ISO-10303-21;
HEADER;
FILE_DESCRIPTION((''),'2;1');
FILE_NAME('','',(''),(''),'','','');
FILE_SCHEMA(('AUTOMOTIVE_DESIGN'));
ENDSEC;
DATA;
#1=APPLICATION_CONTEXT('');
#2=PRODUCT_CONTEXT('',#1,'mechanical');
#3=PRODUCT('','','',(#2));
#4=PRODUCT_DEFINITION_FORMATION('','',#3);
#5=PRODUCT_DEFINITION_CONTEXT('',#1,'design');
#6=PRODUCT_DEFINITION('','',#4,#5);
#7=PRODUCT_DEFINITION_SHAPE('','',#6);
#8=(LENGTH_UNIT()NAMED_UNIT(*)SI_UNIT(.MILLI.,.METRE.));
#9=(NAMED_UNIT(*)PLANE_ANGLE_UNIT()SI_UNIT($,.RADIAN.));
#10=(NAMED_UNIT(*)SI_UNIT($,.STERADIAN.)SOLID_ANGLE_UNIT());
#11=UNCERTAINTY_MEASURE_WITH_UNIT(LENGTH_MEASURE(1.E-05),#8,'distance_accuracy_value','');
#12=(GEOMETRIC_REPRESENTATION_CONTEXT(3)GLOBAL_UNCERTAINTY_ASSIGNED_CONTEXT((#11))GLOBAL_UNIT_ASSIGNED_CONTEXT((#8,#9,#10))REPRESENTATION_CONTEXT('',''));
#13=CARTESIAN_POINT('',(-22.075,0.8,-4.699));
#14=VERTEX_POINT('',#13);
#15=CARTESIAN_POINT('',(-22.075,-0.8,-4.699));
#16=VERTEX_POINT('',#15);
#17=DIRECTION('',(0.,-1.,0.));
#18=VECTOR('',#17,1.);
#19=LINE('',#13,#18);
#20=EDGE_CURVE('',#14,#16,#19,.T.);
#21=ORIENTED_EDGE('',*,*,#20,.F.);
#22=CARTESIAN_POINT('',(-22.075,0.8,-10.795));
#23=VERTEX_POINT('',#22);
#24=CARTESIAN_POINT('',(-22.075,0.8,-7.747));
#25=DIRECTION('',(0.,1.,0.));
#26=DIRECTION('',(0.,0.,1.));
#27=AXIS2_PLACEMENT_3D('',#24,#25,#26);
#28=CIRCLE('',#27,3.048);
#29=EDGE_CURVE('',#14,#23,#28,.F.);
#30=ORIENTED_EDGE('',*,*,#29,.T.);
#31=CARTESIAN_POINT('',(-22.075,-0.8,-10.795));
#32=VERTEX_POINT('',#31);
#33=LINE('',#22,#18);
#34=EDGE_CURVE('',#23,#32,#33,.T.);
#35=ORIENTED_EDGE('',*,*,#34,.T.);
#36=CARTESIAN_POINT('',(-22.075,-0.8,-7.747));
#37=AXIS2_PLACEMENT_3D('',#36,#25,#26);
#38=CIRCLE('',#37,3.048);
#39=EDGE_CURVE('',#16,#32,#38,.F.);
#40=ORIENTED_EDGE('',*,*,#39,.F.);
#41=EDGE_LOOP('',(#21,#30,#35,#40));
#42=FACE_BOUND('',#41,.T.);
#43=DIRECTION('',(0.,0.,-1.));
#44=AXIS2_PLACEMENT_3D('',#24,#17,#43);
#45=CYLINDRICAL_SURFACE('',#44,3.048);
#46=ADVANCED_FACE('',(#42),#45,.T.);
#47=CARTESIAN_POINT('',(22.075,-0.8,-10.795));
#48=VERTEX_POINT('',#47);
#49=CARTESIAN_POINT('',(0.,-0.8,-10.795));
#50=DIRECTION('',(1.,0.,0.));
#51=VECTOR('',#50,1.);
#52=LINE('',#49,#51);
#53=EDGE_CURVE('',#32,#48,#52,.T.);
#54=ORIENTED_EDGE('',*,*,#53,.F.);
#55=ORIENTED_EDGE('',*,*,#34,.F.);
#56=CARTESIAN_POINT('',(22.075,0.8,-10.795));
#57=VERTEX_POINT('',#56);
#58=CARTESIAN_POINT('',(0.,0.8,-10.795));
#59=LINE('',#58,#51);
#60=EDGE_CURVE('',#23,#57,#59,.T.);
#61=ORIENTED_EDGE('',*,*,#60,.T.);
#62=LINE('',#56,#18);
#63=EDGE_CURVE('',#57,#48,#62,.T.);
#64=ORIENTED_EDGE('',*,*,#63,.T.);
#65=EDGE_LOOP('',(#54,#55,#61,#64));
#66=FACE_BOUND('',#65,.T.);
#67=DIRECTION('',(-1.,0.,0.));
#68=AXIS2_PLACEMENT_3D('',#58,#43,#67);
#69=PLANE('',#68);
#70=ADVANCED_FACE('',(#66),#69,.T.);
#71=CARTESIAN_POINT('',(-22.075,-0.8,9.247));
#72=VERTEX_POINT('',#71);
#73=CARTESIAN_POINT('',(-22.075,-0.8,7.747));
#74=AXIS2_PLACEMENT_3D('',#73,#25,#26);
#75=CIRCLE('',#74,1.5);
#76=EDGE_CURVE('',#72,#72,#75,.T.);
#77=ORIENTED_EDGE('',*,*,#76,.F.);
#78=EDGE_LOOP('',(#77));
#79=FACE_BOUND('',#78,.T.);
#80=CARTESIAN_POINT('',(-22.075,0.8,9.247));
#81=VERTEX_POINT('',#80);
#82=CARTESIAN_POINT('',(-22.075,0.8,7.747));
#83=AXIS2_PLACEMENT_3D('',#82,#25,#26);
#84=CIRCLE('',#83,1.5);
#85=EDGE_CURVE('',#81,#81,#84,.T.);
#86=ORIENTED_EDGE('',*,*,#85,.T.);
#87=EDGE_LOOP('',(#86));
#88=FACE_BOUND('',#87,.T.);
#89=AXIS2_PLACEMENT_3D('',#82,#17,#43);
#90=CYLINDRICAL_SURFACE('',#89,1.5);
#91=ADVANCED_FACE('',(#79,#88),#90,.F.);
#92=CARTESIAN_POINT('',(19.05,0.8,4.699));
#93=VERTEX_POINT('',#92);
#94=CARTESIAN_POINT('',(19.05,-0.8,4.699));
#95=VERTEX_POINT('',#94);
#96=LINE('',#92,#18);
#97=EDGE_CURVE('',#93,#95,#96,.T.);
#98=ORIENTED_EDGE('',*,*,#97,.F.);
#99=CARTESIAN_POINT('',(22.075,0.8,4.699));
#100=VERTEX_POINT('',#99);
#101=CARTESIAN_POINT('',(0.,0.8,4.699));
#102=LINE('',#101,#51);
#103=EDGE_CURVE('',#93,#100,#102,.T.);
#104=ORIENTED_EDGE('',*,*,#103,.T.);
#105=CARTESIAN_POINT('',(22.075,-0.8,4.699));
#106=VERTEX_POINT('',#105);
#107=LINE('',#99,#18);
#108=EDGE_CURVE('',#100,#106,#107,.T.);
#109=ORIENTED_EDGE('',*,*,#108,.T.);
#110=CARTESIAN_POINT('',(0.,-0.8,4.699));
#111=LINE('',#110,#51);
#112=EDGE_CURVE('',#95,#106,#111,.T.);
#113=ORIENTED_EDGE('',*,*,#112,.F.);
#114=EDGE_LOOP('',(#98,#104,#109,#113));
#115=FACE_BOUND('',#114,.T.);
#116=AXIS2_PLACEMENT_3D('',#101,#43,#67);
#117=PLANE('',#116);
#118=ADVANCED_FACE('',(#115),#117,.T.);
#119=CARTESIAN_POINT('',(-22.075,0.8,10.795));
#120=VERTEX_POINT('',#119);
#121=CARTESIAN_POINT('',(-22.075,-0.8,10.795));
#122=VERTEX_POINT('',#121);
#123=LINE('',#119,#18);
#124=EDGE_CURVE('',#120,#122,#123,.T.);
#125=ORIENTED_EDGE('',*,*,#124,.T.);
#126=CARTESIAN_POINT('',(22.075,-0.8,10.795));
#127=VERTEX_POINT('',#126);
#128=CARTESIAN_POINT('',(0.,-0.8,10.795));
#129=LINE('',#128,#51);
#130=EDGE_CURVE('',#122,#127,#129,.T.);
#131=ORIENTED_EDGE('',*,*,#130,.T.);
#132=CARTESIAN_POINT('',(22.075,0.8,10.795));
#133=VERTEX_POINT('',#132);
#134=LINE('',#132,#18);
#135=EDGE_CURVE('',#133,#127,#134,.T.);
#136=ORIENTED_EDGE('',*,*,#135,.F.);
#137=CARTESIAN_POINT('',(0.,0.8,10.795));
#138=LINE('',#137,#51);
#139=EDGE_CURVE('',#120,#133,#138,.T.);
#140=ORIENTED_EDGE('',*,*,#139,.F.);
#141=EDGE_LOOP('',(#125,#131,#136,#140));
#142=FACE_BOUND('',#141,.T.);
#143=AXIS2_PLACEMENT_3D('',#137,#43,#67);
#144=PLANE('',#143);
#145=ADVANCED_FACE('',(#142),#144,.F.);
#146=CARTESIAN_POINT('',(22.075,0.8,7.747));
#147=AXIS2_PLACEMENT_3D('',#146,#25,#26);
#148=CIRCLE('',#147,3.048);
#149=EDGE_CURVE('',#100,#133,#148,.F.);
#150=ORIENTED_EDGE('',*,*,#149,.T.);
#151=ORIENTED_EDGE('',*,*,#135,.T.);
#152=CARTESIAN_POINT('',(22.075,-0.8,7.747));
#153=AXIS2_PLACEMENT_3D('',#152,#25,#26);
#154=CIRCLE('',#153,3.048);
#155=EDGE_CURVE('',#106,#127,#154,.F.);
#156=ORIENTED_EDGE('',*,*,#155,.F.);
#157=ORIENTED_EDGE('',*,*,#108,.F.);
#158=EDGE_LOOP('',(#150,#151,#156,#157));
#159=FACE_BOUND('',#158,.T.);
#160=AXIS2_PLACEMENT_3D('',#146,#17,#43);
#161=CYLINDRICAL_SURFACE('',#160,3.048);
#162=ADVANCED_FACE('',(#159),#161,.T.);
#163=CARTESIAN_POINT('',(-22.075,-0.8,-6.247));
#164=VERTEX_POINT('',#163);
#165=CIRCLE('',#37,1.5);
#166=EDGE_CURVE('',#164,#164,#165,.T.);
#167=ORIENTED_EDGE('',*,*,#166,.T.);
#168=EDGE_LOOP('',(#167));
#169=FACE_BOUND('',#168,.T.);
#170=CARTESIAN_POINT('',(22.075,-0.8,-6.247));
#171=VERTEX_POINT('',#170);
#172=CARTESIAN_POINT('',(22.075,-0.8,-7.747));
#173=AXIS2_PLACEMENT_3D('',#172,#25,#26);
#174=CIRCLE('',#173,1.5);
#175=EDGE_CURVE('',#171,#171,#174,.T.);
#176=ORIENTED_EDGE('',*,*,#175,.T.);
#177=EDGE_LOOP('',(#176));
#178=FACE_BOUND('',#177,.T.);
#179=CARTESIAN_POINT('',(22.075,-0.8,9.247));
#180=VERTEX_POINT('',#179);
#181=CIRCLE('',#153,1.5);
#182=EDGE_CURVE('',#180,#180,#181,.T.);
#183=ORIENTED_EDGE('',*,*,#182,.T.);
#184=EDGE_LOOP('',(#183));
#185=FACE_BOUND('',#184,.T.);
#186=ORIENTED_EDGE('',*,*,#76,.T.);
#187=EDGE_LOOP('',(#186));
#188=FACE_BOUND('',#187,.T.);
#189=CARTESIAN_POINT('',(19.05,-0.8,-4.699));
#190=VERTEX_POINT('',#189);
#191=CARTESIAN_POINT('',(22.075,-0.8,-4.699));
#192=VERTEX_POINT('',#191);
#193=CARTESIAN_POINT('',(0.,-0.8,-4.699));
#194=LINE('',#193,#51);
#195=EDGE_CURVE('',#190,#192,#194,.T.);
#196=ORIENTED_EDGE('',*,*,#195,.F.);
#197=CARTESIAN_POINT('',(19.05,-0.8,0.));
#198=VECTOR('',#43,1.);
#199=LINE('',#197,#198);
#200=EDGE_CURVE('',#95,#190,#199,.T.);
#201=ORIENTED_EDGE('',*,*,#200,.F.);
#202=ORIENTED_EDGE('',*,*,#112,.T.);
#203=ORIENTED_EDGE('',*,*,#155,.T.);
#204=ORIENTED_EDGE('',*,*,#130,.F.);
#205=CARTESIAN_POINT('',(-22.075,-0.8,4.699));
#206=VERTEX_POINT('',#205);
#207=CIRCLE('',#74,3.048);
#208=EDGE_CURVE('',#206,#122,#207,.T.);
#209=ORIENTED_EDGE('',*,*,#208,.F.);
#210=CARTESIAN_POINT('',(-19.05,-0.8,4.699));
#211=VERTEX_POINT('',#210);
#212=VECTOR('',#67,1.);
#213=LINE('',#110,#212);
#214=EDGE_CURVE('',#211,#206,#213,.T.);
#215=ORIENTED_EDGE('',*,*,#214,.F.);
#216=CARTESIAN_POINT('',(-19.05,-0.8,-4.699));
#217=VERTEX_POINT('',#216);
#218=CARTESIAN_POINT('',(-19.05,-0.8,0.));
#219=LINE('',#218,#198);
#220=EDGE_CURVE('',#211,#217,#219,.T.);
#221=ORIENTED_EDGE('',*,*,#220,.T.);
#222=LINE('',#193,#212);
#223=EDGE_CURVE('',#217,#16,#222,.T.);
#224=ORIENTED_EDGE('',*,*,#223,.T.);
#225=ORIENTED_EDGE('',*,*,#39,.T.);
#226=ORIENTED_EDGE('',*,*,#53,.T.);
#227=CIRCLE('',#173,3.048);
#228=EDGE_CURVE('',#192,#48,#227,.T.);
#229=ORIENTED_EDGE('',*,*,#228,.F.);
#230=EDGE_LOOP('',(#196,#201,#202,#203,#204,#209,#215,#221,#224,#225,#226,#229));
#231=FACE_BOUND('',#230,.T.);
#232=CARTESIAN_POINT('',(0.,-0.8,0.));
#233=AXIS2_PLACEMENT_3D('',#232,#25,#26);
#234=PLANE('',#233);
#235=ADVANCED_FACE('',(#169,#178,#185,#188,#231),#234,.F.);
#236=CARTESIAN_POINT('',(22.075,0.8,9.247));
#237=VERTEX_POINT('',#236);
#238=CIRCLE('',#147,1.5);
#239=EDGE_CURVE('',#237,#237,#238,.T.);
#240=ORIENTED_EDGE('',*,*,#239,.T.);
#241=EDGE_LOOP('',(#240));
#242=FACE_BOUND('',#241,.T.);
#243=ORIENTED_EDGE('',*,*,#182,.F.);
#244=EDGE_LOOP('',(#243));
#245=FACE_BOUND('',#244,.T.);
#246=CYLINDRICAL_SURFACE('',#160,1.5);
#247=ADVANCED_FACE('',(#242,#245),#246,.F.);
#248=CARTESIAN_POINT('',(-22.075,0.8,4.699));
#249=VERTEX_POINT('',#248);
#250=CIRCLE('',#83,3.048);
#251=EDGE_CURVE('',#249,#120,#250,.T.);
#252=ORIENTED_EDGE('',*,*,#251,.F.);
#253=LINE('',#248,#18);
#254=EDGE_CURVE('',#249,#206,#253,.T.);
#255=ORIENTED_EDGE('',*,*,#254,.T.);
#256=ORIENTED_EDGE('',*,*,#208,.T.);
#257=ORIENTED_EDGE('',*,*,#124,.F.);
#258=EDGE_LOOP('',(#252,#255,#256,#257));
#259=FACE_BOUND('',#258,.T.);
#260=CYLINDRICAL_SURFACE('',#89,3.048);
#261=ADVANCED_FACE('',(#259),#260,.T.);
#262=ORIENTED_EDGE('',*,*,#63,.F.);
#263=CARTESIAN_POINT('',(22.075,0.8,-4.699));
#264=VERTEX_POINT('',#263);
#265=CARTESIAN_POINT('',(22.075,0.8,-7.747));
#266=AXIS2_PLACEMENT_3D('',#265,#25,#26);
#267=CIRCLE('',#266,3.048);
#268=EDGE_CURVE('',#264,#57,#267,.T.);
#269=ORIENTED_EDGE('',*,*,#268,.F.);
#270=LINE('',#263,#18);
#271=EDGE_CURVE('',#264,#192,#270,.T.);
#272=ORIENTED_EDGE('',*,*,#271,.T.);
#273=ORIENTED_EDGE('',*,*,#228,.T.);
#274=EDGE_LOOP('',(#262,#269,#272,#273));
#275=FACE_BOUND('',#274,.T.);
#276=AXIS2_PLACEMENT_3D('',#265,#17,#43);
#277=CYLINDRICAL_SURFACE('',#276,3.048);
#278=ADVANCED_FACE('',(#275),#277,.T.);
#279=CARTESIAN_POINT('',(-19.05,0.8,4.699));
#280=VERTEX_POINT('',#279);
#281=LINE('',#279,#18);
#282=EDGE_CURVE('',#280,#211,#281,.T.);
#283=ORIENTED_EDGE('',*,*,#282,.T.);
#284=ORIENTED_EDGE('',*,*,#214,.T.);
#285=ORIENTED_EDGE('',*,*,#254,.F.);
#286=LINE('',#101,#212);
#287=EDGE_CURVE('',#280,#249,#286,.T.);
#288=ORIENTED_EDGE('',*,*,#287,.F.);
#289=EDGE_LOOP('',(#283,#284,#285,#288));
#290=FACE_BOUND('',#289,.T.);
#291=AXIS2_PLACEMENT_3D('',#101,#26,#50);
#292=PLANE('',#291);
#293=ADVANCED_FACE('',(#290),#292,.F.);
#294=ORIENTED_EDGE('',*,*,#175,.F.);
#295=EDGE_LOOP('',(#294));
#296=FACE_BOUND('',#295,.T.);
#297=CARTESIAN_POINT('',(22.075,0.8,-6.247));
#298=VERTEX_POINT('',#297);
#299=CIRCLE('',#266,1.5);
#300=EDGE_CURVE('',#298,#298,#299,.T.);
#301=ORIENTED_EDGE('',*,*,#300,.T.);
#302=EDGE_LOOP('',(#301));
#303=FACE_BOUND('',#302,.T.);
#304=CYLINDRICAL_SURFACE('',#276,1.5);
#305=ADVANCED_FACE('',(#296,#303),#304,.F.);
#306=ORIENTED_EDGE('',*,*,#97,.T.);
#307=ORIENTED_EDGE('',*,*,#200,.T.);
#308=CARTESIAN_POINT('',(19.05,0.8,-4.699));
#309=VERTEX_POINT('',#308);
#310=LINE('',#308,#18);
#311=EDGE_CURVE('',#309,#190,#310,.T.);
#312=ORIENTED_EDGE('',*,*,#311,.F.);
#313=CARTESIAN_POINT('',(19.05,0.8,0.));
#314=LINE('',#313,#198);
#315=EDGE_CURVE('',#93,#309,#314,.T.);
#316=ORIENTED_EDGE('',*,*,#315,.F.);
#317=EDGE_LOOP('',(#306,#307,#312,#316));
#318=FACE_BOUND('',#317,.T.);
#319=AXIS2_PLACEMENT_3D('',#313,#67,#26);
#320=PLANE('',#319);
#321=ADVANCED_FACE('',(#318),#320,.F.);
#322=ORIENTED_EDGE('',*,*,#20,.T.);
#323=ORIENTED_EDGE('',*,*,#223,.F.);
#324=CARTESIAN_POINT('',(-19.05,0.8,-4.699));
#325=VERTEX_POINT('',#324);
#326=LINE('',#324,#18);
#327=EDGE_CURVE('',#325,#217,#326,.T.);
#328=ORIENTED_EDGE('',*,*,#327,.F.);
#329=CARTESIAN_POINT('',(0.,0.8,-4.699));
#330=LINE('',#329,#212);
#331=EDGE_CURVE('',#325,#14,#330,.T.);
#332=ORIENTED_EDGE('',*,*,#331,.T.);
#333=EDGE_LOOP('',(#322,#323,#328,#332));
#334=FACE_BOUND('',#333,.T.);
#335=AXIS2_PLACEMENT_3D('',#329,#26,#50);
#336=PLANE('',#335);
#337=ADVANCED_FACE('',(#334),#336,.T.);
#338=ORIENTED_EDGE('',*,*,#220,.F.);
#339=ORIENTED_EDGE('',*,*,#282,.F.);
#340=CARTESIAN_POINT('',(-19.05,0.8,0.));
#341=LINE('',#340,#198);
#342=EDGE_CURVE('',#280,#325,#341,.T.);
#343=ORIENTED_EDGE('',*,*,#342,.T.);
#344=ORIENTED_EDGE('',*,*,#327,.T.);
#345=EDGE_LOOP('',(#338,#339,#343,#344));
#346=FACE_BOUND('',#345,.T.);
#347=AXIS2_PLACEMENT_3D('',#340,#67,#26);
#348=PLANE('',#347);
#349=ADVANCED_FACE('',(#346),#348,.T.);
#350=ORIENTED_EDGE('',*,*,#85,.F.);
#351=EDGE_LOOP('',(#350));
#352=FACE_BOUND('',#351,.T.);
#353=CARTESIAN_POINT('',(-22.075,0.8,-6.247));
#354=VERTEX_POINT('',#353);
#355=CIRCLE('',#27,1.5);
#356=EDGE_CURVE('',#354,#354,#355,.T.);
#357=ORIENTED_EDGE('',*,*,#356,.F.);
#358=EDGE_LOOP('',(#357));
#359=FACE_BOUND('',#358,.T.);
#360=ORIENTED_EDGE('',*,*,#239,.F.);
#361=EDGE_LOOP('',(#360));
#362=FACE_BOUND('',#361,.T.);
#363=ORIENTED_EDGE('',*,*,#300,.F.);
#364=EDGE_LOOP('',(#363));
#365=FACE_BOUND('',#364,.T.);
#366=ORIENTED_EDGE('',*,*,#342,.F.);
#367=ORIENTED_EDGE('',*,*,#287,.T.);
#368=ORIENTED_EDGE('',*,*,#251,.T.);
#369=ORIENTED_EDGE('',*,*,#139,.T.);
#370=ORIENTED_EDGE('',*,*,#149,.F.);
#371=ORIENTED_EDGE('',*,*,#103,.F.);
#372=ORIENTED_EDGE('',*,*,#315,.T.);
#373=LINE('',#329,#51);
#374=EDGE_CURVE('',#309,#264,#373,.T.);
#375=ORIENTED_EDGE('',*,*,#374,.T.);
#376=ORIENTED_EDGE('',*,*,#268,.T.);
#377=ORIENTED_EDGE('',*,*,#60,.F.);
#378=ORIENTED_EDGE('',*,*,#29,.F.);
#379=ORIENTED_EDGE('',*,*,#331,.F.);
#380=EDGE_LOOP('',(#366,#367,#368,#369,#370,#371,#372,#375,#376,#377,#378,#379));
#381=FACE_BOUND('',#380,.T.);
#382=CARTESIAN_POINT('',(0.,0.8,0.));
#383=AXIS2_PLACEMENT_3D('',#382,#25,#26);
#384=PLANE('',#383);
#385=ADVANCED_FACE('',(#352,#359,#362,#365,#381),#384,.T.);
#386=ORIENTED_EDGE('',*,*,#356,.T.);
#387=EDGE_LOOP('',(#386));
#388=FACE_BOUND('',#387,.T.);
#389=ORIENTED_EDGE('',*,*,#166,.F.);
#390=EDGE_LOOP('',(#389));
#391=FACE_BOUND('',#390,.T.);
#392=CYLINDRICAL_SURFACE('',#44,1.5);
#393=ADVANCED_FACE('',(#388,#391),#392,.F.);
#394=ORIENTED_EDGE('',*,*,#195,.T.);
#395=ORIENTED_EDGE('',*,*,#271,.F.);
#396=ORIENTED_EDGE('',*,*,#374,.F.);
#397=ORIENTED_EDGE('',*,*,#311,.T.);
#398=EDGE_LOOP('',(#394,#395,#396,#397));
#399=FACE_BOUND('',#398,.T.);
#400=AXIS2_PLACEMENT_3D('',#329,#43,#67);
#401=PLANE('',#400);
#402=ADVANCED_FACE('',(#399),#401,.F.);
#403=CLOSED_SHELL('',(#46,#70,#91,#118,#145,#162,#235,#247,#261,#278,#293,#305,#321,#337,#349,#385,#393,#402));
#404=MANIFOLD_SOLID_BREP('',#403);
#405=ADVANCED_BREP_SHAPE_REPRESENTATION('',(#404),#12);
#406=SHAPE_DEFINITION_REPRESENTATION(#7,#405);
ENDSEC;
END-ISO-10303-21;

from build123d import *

# Parameters (mm, degrees)
SKETCH1_R           = 1.5
BOSS_EXTRUDE1_DEPTH = 0.8


with BuildPart() as part:
    # Sketch1 → Boss-Extrude1 (new, symmetric)
    # profile 1 of 9: a face of its own
    with BuildSketch(Plane(origin=(0, 0, 0), x_dir=(1, 0, 0), z_dir=(0, 1, 0))):
        with BuildLine():
            ThreePointArc((-19.05, -4.699), (-16.002, -7.747), (-19.05, -10.795))
            Line((-19.05, -10.795), (19.05, -10.795))
            ThreePointArc((19.05, -10.795), (16.002, -7.747), (19.05, -4.699))
            Line((19.05, -4.699), (19.05, 4.699))
            ThreePointArc((19.05, 4.699), (16.002, 7.747), (19.05, 10.795))
            Line((19.05, 10.795), (-19.05, 10.795))
            ThreePointArc((-19.05, 10.795), (-16.002, 7.747), (-19.05, 4.699))
            Line((-19.05, 4.699), (-19.05, -4.699))
        make_face()
    # profile 2 of 9: a face of its own
    with BuildSketch(Plane(origin=(0, 0, 0), x_dir=(1, 0, 0), z_dir=(0, 1, 0))):
        with BuildLine():
            Line((-22.075, -10.795), (-19.05, -10.795))
            Line((-19.05, -10.795), (-19.05, -4.699))
            Line((-19.05, -4.699), (-22.075, -4.699))
            ThreePointArc((-22.075, -4.699), (-25.123, -7.747), (-22.075, -10.795))
        make_face()
        with Locations(Location((-22.075, -7.747, 0), (0, 0, 270))):
            Circle(SKETCH1_R, mode=Mode.SUBTRACT)
    # profile 3 of 9: a face of its own
    with BuildSketch(Plane(origin=(0, 0, 0), x_dir=(1, 0, 0), z_dir=(0, 1, 0))):
        with BuildLine():
            Line((-19.05, -4.699), (-19.05, -10.795))
            ThreePointArc((-19.05, -10.795), (-16.002, -7.747), (-19.05, -4.699))
        make_face()
    # profile 4 of 9: a face of its own
    with BuildSketch(Plane(origin=(0, 0, 0), x_dir=(1, 0, 0), z_dir=(0, 1, 0))):
        with BuildLine():
            Line((-19.05, 10.795), (-19.05, 4.699))
            ThreePointArc((-19.05, 4.699), (-16.002, 7.747), (-19.05, 10.795))
        make_face()
    # profile 5 of 9: a face of its own
    with BuildSketch(Plane(origin=(0, 0, 0), x_dir=(1, 0, 0), z_dir=(0, 1, 0))):
        with BuildLine():
            Line((-22.075, 4.699), (-19.05, 4.699))
            Line((-19.05, 4.699), (-19.05, 10.795))
            Line((-19.05, 10.795), (-22.075, 10.795))
            ThreePointArc((-22.075, 10.795), (-25.123, 7.747), (-22.075, 4.699))
        make_face()
        with Locations(Location((-22.075, 7.747, 0), (0, 0, 270))):
            Circle(SKETCH1_R, mode=Mode.SUBTRACT)
    # profile 6 of 9: a face of its own
    with BuildSketch(Plane(origin=(0, 0, 0), x_dir=(1, 0, 0), z_dir=(0, 1, 0))):
        with BuildLine():
            ThreePointArc((19.05, 10.795), (16.002, 7.747), (19.05, 4.699))
            Line((19.05, 4.699), (19.05, 10.795))
        make_face()
    # profile 7 of 9: a face of its own
    with BuildSketch(Plane(origin=(0, 0, 0), x_dir=(1, 0, 0), z_dir=(0, 1, 0))):
        with BuildLine():
            Line((19.05, 10.795), (19.05, 4.699))
            Line((19.05, 4.699), (22.075, 4.699))
            ThreePointArc((22.075, 4.699), (25.123, 7.747), (22.075, 10.795))
            Line((22.075, 10.795), (19.05, 10.795))
        make_face()
        with Locations(Location((22.075, 7.747, 0), (0, 0, 270))):
            Circle(SKETCH1_R, mode=Mode.SUBTRACT)
    # profile 8 of 9: a face of its own
    with BuildSketch(Plane(origin=(0, 0, 0), x_dir=(1, 0, 0), z_dir=(0, 1, 0))):
        with BuildLine():
            Line((19.05, -4.699), (19.05, -10.795))
            Line((19.05, -10.795), (22.075, -10.795))
            ThreePointArc((22.075, -10.795), (25.123, -7.747), (22.075, -4.699))
            Line((22.075, -4.699), (19.05, -4.699))
        make_face()
        with Locations(Location((22.075, -7.747, 0), (0, 0, 270))):
            Circle(SKETCH1_R, mode=Mode.SUBTRACT)
    # profile 9 of 9: a face of its own
    with BuildSketch(Plane(origin=(0, 0, 0), x_dir=(1, 0, 0), z_dir=(0, 1, 0))):
        with BuildLine():
            ThreePointArc((19.05, -4.699), (16.002, -7.747), (19.05, -10.795))
            Line((19.05, -10.795), (19.05, -4.699))
        make_face()
    extrude(amount=BOSS_EXTRUDE1_DEPTH, both=True)


solid = part.part
